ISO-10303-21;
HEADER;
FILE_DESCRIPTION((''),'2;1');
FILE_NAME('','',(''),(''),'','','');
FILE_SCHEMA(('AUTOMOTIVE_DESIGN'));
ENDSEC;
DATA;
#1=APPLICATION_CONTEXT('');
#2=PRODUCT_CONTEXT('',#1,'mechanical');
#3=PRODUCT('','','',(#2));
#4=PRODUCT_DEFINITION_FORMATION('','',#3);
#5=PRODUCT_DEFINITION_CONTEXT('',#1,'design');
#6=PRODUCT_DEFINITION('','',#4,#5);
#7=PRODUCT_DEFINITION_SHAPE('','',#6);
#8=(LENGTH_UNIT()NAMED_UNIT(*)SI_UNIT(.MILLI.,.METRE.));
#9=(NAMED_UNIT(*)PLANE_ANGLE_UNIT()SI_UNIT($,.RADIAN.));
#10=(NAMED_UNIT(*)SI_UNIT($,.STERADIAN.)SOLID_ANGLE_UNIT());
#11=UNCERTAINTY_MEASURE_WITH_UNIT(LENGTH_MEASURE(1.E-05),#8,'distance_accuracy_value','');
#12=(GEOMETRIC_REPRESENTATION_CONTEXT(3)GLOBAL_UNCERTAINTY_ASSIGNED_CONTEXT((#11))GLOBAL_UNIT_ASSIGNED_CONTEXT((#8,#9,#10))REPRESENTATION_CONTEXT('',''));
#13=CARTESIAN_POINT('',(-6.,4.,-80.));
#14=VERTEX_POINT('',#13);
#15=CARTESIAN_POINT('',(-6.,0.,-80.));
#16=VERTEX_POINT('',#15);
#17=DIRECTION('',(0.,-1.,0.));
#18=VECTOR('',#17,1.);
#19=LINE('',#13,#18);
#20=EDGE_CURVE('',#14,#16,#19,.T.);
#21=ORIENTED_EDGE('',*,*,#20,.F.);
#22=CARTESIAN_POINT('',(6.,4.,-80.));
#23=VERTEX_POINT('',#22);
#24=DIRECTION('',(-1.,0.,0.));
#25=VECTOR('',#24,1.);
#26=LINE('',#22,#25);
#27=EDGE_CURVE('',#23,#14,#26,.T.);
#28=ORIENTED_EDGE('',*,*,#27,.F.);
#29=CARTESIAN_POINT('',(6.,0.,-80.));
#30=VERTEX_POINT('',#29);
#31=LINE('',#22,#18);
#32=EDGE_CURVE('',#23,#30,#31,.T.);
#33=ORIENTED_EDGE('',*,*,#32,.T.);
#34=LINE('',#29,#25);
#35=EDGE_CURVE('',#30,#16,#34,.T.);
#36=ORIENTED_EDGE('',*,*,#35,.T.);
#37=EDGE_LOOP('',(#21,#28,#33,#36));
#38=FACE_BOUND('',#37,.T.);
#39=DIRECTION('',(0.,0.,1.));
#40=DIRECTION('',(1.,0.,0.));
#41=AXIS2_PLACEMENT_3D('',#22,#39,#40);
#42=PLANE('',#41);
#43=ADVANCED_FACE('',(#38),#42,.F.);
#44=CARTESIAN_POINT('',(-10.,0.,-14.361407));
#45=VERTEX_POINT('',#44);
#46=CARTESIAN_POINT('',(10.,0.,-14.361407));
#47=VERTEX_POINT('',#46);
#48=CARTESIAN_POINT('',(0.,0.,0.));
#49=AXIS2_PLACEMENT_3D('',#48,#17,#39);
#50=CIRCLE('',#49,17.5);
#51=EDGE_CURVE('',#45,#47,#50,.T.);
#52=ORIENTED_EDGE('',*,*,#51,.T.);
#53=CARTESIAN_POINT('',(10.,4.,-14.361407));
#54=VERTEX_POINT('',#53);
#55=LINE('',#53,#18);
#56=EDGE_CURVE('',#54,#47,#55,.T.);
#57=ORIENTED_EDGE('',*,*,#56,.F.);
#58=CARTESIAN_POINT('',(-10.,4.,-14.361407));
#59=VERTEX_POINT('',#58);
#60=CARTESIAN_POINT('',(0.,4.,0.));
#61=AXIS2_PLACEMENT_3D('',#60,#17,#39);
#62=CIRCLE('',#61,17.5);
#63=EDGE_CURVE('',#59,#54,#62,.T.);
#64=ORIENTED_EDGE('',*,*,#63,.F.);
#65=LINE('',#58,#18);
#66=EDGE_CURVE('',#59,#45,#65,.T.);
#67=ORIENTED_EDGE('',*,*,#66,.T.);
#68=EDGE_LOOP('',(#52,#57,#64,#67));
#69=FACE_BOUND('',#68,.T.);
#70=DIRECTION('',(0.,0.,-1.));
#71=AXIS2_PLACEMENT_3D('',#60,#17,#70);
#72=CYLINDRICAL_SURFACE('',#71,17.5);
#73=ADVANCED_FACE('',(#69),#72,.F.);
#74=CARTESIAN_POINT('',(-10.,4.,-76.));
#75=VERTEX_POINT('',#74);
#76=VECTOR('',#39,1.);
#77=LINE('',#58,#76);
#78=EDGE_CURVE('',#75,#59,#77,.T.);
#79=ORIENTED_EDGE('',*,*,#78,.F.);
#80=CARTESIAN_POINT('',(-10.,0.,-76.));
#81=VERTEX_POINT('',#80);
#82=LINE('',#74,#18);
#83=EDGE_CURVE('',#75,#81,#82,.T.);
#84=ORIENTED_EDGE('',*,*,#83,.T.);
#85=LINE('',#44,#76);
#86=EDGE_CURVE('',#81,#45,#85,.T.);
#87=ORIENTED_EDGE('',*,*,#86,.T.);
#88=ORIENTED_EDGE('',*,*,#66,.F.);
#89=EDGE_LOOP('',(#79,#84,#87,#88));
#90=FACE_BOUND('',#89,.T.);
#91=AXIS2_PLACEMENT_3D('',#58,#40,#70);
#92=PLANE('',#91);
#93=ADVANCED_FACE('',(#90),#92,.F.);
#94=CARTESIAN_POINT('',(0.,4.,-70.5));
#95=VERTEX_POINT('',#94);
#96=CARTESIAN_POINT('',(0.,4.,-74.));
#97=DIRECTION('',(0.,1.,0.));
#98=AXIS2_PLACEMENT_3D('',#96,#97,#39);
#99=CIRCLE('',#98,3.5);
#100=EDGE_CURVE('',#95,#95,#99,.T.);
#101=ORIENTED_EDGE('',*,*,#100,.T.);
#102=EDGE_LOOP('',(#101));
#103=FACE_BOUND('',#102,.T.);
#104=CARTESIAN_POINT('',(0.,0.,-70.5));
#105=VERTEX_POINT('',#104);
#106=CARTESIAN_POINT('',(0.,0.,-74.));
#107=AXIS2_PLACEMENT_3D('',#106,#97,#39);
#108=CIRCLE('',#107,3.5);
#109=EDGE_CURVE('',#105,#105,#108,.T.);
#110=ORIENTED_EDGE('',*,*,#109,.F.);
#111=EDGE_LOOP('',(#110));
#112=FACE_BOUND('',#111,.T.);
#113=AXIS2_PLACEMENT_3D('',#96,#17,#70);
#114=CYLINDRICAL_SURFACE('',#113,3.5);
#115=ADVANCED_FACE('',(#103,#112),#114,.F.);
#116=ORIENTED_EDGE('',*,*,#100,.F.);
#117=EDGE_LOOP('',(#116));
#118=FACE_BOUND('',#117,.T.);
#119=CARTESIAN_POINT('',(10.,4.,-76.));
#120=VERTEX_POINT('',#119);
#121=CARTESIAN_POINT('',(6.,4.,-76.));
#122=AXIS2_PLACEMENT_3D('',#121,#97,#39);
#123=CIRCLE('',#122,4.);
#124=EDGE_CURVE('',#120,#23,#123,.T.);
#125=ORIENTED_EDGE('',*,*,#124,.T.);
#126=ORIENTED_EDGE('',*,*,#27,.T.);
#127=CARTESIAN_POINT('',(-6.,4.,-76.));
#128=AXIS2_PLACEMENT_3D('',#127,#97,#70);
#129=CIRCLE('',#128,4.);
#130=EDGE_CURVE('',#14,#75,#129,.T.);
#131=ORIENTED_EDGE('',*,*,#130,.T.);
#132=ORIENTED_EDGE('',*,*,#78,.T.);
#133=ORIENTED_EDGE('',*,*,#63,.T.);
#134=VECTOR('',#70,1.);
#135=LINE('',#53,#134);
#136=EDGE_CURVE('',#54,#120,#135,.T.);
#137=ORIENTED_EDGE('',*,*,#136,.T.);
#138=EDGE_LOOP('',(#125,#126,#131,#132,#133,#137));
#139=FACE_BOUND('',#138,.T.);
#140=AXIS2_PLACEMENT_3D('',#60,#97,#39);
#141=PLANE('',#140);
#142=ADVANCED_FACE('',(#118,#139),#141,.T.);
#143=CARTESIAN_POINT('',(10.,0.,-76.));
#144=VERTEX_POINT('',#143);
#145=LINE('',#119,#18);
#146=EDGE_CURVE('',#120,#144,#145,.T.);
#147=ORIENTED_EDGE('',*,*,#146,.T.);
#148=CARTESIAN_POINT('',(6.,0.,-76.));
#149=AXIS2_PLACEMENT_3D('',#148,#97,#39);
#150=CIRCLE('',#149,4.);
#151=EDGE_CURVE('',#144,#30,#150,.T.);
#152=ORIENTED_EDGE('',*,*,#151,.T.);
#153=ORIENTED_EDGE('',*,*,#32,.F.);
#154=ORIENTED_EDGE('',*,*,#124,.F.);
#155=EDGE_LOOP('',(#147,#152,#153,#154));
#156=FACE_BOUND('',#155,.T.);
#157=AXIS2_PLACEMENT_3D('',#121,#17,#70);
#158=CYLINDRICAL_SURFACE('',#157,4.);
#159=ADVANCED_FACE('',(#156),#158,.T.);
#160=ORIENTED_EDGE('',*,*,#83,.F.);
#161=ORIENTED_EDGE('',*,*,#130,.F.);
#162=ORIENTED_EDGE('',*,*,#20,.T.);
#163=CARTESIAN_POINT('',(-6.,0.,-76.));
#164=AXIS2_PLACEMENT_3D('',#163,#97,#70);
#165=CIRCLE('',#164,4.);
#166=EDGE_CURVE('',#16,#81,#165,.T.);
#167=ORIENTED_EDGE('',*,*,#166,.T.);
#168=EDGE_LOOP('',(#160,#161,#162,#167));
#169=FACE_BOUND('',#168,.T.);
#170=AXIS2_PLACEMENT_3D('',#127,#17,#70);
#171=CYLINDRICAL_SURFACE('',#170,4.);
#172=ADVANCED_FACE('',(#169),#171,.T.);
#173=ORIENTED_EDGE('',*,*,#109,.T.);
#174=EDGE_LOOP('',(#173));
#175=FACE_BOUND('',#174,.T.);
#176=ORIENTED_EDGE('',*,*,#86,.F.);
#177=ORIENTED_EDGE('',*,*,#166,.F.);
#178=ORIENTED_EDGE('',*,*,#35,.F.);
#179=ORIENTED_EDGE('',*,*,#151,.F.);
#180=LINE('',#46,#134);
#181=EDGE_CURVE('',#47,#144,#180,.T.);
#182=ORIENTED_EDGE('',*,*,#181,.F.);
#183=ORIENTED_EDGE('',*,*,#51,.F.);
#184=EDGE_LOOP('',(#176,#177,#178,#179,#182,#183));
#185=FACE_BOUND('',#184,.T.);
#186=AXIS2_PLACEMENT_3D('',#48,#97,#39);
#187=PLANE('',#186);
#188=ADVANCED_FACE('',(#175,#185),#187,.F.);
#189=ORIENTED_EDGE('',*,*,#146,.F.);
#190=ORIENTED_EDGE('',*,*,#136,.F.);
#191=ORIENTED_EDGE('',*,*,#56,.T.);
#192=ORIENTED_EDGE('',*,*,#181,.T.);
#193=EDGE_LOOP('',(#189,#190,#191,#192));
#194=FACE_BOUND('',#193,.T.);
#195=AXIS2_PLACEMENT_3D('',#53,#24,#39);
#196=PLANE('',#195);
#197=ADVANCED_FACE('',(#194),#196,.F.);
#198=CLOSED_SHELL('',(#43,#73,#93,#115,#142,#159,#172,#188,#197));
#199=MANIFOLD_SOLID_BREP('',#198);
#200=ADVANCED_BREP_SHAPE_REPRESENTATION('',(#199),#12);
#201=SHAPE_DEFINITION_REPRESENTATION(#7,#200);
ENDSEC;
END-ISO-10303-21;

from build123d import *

# Parameters (mm, degrees)
SKETCH1_R           = 3.5
BOSS_EXTRUDE1_DEPTH = 4


with BuildPart() as part:
    # Sketch1 → Boss-Extrude1 (new body)
    with BuildSketch(Plane(origin=(0, 0, 0), x_dir=(1, 0, 0), z_dir=(0, 1, 0))):
        with BuildLine():
            Line((-10, 14.361406616), (-10, 76))
            ThreePointArc((-10, 76), (-8.828427125, 78.828427125), (-6, 80))
            Line((-6, 80), (6, 80))
            ThreePointArc((6, 80), (8.828427125, 78.828427125), (10, 76))
            Line((10, 76), (10, 14.361406616))
            ThreePointArc((10, 14.361406616), (0, 17.5), (-10, 14.361406616))
        make_face()
        with Locations(Location((0, 74, 0), (0, 0, 270))):
            Circle(SKETCH1_R, mode=Mode.SUBTRACT)
    extrude(amount=BOSS_EXTRUDE1_DEPTH)


solid = part.part
